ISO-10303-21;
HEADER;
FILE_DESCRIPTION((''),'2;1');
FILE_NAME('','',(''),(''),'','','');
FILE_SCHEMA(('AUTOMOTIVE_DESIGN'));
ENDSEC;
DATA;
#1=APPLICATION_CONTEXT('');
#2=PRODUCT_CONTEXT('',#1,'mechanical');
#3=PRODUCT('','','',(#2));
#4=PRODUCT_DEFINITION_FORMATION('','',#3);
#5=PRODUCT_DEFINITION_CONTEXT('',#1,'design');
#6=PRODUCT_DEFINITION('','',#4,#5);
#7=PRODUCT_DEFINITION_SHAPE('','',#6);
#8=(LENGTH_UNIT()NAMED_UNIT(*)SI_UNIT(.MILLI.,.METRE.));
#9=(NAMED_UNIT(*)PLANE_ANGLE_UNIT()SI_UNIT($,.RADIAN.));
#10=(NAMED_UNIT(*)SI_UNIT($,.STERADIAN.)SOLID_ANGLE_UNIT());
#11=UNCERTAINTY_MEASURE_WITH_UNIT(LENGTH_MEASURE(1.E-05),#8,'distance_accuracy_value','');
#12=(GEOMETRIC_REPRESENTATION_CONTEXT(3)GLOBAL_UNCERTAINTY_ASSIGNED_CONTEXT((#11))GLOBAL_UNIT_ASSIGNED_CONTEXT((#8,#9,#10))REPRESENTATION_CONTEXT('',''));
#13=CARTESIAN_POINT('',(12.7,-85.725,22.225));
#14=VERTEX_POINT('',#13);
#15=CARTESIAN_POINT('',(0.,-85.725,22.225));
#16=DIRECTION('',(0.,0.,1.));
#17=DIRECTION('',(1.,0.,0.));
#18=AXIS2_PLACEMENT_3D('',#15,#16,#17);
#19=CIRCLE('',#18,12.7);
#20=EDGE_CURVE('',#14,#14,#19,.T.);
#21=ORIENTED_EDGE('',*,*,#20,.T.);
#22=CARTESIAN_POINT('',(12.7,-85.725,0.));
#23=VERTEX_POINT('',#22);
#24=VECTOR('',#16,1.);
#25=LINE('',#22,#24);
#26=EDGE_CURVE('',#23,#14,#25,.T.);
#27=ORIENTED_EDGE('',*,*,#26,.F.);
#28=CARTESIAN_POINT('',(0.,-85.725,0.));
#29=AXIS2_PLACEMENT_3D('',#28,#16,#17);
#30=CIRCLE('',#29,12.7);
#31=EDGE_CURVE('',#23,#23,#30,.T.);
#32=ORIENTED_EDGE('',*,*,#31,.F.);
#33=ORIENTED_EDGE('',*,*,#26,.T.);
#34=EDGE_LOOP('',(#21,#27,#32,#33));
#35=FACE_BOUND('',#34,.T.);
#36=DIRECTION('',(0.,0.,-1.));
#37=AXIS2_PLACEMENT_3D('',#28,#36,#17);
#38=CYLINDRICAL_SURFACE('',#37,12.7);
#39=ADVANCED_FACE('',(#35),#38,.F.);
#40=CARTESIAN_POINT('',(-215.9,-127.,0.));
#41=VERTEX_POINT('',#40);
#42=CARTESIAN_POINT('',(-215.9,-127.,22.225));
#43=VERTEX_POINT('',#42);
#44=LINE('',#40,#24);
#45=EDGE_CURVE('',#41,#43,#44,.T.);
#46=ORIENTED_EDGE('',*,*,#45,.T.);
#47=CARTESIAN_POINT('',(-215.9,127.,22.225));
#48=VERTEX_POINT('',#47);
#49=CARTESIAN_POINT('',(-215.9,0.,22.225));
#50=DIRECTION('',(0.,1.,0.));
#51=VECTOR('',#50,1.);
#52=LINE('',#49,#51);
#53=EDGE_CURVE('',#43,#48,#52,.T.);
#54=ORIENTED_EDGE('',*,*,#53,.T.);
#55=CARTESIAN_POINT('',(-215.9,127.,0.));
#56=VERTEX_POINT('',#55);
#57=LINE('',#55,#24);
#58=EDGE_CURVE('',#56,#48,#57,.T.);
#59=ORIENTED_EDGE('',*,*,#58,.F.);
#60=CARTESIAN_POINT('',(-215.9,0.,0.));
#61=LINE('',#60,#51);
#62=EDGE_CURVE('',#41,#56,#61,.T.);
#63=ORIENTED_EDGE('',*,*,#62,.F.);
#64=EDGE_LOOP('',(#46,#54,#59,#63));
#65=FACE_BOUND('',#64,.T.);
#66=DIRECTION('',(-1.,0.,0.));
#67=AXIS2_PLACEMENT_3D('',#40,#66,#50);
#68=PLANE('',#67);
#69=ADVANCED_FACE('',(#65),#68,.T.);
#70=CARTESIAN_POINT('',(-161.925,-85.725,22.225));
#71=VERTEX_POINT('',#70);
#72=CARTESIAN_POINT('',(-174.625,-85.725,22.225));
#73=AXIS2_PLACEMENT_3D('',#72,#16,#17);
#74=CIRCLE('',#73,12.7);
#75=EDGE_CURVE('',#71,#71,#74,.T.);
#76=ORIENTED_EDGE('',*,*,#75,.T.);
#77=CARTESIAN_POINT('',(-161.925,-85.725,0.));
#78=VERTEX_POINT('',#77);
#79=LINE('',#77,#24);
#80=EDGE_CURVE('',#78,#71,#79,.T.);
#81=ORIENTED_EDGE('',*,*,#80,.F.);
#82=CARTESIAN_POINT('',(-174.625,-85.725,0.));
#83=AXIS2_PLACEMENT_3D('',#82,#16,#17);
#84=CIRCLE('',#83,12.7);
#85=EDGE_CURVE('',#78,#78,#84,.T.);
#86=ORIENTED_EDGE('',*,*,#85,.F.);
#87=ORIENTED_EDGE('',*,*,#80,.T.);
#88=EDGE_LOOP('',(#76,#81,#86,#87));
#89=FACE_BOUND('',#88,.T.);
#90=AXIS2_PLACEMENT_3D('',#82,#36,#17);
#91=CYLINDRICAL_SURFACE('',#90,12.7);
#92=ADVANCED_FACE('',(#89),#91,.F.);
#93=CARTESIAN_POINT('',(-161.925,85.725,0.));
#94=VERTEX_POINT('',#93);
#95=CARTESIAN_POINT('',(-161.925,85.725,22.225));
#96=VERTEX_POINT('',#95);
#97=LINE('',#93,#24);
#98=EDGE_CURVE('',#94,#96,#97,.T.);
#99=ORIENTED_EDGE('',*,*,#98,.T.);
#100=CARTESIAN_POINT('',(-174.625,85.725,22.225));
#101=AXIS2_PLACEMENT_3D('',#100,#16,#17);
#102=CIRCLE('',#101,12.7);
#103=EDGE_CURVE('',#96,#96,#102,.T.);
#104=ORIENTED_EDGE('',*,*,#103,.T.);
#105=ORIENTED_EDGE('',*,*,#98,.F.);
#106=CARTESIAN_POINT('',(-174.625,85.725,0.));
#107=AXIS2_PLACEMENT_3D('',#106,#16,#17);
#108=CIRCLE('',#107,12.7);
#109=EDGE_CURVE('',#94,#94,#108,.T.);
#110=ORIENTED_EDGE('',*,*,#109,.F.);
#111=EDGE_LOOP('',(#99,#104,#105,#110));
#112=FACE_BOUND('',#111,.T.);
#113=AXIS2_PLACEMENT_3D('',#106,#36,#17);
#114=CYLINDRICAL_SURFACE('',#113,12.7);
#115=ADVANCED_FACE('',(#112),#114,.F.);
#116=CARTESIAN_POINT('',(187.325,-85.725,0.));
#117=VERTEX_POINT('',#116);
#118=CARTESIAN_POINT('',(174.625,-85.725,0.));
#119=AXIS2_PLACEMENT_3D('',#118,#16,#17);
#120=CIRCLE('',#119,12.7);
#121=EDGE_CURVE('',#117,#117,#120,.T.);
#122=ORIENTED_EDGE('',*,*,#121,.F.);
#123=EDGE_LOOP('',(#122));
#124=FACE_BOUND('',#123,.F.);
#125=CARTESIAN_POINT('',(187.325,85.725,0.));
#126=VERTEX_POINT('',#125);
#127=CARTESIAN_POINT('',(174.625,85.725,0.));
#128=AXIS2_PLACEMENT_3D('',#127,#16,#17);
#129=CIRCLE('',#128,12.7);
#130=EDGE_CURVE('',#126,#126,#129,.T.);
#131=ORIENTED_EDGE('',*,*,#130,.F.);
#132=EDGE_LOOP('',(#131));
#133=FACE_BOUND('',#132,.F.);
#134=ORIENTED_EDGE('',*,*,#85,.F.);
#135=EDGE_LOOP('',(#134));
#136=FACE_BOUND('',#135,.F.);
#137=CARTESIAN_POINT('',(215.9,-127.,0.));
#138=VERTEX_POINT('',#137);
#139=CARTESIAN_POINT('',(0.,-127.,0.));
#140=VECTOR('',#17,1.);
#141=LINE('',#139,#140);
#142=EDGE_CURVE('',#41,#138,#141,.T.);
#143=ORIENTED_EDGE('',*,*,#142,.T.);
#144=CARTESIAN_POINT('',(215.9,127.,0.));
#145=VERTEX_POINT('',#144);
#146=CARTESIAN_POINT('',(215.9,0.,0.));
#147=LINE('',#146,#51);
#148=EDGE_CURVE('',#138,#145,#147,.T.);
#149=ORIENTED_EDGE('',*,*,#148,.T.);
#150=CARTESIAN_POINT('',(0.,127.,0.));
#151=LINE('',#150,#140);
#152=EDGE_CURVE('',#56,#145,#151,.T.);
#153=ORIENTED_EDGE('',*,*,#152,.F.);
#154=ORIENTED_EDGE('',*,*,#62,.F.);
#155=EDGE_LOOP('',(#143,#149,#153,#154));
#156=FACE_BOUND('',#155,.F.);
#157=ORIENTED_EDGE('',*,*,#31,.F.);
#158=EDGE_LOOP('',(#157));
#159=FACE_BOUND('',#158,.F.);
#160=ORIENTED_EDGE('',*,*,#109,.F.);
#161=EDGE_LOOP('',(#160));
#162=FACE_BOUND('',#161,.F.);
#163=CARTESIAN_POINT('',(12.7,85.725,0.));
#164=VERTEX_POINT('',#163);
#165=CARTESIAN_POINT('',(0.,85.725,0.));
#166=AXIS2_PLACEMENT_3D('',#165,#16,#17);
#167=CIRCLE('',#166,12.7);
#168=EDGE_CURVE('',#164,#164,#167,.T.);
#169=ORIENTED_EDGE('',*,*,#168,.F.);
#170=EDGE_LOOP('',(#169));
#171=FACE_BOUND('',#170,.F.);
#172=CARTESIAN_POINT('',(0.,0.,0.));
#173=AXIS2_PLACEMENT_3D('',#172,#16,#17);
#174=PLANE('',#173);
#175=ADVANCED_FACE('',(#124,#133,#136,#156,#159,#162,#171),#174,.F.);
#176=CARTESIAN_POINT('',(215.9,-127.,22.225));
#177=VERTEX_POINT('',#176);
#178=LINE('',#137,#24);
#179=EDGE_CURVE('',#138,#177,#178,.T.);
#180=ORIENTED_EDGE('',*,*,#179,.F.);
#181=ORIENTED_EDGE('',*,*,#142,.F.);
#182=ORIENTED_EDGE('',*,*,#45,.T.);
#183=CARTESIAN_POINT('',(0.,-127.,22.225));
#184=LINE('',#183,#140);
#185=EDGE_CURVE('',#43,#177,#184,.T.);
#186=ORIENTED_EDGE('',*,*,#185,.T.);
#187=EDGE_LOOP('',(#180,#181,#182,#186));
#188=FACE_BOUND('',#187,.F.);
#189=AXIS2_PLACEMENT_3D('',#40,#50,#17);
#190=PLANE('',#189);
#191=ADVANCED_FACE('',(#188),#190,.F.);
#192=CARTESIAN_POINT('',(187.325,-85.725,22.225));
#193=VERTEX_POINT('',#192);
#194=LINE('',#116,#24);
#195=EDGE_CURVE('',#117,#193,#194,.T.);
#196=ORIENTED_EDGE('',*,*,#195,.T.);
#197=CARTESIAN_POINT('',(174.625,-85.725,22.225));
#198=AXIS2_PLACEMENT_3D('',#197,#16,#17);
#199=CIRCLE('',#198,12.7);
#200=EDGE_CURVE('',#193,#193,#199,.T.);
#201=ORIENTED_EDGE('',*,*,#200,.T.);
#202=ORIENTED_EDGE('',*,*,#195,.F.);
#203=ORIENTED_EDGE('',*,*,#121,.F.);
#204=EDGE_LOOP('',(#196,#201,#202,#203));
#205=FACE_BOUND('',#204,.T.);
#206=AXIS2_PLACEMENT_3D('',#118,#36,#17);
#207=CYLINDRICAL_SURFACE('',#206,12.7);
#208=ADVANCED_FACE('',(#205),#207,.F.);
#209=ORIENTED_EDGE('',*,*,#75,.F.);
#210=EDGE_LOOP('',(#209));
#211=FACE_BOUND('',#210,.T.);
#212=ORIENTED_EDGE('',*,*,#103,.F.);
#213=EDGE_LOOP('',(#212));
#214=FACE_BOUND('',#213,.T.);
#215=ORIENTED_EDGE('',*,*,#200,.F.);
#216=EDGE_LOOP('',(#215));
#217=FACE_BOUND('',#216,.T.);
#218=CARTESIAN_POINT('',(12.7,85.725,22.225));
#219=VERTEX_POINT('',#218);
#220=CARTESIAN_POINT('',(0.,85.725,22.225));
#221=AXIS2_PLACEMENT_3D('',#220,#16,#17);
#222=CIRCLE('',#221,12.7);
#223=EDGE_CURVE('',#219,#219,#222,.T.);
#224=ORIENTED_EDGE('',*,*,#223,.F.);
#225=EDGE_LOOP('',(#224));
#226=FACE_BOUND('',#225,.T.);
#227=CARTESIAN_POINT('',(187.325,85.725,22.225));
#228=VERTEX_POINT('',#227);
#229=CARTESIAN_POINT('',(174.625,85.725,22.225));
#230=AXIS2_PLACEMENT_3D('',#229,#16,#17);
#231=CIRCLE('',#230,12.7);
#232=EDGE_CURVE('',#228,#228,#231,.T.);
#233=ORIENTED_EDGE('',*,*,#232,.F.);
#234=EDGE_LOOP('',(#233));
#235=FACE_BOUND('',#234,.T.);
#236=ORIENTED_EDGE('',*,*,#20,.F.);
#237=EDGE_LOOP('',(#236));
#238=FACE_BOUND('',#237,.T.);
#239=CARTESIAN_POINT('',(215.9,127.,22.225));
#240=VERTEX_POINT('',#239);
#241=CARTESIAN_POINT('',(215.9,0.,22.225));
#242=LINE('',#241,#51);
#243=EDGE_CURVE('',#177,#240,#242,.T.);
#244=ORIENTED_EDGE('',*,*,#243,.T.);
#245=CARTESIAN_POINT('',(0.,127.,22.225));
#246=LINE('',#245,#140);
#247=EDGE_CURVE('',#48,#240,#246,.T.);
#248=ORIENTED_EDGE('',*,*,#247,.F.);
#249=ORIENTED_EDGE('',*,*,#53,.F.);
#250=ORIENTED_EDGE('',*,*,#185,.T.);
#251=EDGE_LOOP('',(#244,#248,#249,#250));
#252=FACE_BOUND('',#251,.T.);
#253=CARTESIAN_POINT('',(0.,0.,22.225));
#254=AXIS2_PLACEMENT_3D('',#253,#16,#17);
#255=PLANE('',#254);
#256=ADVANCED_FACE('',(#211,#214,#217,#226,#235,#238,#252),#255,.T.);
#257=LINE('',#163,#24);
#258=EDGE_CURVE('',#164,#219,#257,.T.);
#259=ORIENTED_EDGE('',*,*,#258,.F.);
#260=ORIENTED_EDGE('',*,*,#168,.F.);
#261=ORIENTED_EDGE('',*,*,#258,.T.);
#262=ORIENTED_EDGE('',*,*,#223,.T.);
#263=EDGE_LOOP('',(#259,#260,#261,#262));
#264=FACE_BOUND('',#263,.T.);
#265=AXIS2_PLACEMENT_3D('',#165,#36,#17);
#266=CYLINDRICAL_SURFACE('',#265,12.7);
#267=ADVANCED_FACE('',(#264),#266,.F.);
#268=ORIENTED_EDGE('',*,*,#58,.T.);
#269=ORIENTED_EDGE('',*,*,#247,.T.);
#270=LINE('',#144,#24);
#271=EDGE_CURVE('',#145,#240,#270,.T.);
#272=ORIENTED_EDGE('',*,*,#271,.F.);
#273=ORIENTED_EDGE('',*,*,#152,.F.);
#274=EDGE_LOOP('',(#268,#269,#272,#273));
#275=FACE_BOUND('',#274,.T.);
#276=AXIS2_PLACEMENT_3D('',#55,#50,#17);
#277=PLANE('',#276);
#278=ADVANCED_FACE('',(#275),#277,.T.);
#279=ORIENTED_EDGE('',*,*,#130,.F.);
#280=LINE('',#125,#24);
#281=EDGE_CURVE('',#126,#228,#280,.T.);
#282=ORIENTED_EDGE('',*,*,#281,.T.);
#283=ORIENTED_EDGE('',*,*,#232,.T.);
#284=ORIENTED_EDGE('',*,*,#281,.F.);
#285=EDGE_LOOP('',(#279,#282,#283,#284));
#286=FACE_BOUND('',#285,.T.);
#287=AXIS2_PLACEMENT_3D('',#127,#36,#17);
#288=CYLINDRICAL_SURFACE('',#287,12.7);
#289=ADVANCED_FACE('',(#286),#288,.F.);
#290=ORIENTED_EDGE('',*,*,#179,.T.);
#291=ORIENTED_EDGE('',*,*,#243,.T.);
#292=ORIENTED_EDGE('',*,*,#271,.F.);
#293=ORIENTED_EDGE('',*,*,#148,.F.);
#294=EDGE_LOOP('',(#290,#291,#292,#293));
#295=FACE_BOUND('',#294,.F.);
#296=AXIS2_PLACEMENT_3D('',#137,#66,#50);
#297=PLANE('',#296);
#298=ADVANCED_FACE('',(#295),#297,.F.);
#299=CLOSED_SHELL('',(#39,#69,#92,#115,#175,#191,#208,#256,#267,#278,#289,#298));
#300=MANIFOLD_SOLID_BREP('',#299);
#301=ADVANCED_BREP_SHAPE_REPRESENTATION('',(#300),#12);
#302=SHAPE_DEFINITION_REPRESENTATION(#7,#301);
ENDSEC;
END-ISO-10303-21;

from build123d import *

# Parameters (mm, degrees)
F0_W     = 431.8
F0_H     = 254
F0_R     = 12.7
F1_DEPTH = 22.225


with BuildPart() as f1:
    # F0 (on Top) → F1 (new body)
    with BuildSketch(Plane.XY):
        Rectangle(F0_W, F0_H)
        with Locations((-174.625, -85.725)):
            Circle(F0_R, mode=Mode.SUBTRACT)
        with Locations((0, -85.725)):
            Circle(F0_R, mode=Mode.SUBTRACT)
        with Locations((174.625, -85.725)):
            Circle(F0_R, mode=Mode.SUBTRACT)
        with Locations((-174.625, 85.725)):
            Circle(F0_R, mode=Mode.SUBTRACT)
        with Locations((0, 85.725)):
            Circle(F0_R, mode=Mode.SUBTRACT)
        with Locations((174.625, 85.725)):
            Circle(F0_R, mode=Mode.SUBTRACT)
    extrude(amount=F1_DEPTH)


solid = f1.part
